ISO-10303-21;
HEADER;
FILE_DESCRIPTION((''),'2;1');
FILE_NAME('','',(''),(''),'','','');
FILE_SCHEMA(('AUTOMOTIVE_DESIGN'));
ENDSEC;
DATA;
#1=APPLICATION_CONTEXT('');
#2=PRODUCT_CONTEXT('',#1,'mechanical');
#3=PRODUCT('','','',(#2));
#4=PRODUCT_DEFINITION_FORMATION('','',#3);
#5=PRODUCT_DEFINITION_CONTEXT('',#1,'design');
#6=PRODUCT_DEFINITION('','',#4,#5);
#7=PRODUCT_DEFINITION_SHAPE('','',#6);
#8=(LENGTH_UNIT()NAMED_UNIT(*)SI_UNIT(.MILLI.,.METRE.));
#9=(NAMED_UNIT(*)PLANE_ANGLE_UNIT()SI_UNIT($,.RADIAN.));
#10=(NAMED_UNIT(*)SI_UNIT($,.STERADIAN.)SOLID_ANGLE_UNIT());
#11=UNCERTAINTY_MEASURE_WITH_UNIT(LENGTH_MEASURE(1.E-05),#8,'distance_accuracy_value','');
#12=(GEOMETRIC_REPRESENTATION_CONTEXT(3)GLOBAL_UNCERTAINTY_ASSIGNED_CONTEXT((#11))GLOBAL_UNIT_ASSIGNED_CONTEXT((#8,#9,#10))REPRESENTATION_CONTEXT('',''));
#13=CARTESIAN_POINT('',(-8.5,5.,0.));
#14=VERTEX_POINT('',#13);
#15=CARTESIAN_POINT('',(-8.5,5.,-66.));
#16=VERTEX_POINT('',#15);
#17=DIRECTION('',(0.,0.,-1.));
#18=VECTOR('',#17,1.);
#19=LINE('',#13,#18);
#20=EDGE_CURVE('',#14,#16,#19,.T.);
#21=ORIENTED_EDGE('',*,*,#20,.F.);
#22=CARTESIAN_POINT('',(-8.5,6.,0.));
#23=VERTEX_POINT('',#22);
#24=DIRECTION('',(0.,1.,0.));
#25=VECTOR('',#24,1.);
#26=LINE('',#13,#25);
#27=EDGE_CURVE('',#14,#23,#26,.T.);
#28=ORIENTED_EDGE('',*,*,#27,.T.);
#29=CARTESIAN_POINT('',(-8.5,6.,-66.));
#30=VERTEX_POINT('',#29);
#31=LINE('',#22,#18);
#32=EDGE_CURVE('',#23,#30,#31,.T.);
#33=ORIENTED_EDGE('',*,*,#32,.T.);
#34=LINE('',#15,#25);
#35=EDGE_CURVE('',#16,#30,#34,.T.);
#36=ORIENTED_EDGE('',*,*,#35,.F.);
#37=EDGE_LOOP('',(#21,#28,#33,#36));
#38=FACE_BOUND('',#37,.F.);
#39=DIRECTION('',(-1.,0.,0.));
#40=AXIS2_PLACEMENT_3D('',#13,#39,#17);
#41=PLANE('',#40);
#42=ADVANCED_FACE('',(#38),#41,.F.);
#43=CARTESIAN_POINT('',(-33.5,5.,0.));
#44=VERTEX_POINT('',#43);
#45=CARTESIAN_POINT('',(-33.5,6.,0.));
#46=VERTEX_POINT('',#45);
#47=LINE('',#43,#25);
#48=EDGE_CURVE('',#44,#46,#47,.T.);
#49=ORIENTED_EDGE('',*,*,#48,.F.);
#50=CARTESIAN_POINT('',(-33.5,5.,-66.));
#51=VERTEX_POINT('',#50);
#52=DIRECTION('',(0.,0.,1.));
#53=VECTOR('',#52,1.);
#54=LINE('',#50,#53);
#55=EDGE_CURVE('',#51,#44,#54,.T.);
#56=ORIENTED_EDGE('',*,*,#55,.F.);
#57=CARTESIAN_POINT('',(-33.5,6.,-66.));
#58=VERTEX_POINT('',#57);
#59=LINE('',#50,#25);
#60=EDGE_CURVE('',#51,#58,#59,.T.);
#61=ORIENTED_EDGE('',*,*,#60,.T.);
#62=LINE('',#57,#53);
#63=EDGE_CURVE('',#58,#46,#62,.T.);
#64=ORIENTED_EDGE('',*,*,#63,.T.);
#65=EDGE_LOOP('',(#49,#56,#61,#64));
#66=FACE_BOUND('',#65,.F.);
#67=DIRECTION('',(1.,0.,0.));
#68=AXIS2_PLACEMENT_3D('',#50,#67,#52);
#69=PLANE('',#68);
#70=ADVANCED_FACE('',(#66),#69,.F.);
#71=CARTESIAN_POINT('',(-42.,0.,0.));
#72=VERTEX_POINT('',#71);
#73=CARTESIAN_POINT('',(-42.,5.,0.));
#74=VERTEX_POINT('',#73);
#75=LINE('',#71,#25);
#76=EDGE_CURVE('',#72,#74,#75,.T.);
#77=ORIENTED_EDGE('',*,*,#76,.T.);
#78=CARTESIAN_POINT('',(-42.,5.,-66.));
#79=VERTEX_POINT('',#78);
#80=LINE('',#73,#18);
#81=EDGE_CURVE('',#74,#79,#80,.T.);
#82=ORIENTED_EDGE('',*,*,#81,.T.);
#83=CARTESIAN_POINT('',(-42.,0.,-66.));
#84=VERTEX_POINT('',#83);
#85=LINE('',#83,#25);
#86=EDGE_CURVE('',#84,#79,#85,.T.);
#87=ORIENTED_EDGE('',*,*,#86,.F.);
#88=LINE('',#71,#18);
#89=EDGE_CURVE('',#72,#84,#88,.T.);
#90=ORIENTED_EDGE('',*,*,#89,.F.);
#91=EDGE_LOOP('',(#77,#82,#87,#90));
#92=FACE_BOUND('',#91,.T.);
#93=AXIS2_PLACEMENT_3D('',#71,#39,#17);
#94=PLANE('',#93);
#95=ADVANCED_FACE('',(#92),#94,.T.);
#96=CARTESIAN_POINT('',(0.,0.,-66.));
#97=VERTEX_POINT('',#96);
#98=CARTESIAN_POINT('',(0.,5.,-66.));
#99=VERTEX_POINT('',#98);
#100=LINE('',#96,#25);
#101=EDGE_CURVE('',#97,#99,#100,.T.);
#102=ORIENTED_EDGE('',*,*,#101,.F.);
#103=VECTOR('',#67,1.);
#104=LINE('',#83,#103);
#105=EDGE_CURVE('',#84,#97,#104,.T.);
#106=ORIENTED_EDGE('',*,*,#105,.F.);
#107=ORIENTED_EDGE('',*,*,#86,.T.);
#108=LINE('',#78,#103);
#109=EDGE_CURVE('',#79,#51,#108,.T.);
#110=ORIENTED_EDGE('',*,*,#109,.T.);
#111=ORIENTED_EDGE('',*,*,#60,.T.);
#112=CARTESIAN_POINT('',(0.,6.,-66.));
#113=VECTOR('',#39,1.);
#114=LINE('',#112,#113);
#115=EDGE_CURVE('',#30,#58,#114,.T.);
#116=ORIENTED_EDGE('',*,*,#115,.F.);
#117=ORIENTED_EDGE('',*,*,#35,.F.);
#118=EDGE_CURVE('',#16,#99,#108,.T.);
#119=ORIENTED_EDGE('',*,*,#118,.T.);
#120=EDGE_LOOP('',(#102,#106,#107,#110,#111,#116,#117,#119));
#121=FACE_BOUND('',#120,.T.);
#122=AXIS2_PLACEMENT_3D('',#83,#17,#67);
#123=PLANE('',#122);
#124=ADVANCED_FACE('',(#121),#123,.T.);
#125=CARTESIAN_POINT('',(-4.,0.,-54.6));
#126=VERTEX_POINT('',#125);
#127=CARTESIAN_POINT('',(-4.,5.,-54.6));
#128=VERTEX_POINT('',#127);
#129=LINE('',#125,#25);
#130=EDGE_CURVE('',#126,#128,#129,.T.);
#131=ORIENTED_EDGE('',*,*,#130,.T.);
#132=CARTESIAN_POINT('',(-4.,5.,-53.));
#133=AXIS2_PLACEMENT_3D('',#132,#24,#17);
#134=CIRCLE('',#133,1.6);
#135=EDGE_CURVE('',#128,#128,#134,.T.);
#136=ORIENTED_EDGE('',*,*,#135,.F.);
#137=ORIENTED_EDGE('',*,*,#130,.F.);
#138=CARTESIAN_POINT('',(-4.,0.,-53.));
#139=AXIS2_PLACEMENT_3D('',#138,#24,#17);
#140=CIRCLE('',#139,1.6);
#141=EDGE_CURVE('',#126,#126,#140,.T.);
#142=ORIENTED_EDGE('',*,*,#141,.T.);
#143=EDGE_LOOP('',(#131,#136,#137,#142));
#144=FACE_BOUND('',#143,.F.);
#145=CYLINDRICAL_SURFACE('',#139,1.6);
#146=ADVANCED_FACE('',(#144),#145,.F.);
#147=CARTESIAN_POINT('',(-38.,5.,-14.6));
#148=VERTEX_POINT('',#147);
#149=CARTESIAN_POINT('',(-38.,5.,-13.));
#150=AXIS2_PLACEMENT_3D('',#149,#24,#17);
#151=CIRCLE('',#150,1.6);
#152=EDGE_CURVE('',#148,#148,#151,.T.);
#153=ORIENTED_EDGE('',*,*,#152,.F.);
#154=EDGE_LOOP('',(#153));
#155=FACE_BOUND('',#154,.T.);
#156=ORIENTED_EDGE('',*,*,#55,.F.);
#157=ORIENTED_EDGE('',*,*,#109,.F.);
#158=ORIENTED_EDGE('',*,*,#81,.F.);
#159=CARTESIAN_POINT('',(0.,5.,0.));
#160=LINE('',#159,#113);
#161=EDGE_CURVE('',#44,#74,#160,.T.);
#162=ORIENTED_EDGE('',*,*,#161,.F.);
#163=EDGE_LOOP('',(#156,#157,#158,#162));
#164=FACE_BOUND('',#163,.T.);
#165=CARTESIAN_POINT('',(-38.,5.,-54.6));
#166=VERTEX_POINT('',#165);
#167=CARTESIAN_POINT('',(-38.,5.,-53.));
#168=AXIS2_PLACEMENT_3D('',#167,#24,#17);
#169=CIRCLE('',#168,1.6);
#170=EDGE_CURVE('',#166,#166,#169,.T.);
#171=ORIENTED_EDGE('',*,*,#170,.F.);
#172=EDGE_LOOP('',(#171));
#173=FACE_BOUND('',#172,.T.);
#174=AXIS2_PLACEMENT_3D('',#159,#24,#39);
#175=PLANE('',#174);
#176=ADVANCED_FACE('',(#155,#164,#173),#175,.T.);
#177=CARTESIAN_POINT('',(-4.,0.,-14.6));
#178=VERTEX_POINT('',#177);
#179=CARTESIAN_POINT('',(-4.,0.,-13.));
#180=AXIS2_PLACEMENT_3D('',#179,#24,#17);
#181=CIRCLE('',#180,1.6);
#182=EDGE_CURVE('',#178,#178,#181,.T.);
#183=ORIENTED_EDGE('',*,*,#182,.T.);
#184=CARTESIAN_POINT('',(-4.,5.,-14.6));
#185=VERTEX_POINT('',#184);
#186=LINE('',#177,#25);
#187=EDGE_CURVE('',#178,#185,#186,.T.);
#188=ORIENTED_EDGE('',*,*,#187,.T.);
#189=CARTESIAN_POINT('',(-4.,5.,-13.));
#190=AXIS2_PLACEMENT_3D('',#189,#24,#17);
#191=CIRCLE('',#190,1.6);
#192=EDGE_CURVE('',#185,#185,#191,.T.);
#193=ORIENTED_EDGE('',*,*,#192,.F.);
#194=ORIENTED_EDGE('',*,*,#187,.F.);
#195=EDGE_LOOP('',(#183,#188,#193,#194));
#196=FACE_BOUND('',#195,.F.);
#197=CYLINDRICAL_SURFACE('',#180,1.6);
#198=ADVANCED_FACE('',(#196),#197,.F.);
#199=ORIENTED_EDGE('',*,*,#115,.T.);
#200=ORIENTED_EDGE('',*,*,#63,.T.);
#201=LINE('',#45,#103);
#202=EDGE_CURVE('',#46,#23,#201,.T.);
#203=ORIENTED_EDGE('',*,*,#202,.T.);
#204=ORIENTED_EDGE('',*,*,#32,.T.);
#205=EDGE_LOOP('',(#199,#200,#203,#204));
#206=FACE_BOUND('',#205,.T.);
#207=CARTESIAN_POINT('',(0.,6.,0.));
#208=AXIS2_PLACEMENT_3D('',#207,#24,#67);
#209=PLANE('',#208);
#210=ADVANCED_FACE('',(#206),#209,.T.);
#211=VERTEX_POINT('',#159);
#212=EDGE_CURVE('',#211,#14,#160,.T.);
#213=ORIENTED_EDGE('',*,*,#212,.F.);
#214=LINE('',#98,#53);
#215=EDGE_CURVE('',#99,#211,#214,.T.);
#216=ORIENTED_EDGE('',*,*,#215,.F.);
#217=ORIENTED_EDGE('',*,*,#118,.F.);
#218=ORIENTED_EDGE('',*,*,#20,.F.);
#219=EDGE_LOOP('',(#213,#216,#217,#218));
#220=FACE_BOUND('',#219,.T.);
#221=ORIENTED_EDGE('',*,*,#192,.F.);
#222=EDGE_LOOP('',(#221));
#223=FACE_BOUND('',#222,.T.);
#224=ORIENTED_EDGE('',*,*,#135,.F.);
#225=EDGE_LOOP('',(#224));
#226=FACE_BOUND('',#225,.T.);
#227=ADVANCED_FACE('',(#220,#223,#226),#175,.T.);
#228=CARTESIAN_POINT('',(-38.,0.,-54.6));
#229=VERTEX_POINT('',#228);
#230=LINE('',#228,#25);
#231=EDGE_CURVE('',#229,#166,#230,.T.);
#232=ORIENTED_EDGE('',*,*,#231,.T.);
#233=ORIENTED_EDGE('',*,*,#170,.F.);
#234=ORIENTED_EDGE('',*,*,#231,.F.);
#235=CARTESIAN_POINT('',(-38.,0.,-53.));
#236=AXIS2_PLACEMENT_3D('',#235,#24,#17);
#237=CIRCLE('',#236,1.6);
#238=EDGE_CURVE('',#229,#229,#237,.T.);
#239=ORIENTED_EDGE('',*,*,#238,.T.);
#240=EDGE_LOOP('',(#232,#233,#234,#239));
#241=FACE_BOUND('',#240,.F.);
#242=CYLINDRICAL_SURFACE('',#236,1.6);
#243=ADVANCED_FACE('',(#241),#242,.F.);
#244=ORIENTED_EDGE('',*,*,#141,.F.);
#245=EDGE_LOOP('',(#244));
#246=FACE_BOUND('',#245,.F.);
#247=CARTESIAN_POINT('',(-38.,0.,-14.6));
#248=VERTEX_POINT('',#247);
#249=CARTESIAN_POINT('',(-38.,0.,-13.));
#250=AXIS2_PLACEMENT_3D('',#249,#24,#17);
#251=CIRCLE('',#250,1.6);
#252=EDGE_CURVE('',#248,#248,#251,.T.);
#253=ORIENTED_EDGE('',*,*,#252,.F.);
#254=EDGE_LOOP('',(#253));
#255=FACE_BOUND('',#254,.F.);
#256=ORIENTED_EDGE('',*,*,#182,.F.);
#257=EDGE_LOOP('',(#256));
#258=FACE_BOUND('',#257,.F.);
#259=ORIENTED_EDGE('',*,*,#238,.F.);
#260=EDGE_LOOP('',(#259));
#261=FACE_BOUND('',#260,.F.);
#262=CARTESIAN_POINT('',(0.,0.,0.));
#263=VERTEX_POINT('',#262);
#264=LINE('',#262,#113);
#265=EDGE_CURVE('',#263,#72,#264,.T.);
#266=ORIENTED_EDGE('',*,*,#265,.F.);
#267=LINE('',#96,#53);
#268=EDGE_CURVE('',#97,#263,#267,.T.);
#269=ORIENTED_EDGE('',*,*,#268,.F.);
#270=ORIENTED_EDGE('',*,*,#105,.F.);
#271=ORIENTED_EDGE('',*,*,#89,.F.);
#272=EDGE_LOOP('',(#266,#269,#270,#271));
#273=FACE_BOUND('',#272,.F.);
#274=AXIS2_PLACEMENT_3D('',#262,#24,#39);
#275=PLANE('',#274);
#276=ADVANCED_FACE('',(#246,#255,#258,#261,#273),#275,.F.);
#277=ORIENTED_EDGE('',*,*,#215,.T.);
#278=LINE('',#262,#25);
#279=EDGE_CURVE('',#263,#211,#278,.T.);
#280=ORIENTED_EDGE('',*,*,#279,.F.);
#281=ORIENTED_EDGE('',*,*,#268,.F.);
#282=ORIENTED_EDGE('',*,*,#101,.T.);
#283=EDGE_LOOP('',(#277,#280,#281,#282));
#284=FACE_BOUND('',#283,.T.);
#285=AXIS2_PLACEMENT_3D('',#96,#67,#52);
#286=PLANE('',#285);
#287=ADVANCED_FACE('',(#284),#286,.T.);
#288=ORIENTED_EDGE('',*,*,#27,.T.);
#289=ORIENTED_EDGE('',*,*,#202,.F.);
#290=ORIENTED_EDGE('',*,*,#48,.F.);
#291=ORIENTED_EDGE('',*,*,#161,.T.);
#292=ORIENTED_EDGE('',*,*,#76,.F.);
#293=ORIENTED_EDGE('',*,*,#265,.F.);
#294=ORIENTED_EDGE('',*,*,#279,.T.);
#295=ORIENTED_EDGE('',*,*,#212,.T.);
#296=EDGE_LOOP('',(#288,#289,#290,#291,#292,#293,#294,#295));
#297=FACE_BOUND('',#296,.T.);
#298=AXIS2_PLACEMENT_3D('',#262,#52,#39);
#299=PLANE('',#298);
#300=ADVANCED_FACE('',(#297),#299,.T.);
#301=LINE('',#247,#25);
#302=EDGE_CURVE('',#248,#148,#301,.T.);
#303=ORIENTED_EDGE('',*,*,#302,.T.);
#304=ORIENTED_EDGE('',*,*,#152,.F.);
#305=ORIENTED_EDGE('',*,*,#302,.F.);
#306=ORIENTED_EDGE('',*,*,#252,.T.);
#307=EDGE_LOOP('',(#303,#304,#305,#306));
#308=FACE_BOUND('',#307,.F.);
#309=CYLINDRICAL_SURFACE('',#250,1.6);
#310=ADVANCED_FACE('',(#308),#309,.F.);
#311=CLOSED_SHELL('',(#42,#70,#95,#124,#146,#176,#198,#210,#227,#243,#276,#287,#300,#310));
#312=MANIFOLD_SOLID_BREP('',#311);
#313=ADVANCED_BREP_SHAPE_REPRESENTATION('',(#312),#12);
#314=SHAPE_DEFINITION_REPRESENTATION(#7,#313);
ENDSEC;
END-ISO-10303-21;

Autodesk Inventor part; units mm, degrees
ref_plane "YZ Plane" through (0, 0, 0) normal (1, 0, 0) x (0, 1, 0)
ref_plane "XZ Plane" through (0, 0, 0) normal (0, 1, 0) x (-1, 0, 0)
ref_plane "XY Plane" through (0, 0, 0) normal (0, 0, 1) x (1, 0, 0)
sketch "スケッチ1" plane through (0, 0, 0) normal (0, 1, 0) x (-1, 0, 0)
  line L0 (0, 0) -> (42, 0)
  line L1 (42, 0) -> (42, -66)
  line L2 (42, -66) -> (0, -66)
  line L3 (0, -66) -> (0, 0)
  dimension "d0" = 42
  dimension "d1" = 66
extrude "押し出し1" add sketch "スケッチ1" along normal blind 5
sketch "スケッチ2" plane through (0, 5, 0) normal (0, 1, 0) x (1, 0, 0)
  line L0 (0, 66) -> (-42, 66) projected
  line L1 (-33.5, 0) -> (-8.5, 0)
  line L2 (-8.5, 0) -> (-8.5, 66)
  line L3 (-8.5, 66) -> (-33.5, 66)
  line L4 (-33.5, 66) -> (-33.5, 0)
  line L5 (-42, 66) -> (-42, 0) projected
  point P0 (0, 0)
  dimension "d4" = 25
  dimension "d5" = 8.5
extrude "押し出し2" add sketch "スケッチ2" along normal blind 1
sketch "スケッチ3" plane through (0, 0, 0) normal (0, -1, 0) x (1, 0, 0)
  line L0 (0, 0) -> (0, -66) projected
  line L1 (0, -66) -> (-42, -66) projected
  point P0 (-4, -13)
  point P1 (-4, -53)
  point P2 (-38, -53)
  point P3 (-38, -13)
  dimension "d8" = 40
  dimension "d10" = 4
  dimension "d11" = 13
hole "穴1" at (-4, 0, -13) at (-4, 0, -53) at (-38, 0, -53) at (-38, 0, -13) direction (0, 1, 0) diameter 3.2 depth 30 tip angle 118
properties part number "slider_move_gaba" material "アルミニウム 6061-AHC"
